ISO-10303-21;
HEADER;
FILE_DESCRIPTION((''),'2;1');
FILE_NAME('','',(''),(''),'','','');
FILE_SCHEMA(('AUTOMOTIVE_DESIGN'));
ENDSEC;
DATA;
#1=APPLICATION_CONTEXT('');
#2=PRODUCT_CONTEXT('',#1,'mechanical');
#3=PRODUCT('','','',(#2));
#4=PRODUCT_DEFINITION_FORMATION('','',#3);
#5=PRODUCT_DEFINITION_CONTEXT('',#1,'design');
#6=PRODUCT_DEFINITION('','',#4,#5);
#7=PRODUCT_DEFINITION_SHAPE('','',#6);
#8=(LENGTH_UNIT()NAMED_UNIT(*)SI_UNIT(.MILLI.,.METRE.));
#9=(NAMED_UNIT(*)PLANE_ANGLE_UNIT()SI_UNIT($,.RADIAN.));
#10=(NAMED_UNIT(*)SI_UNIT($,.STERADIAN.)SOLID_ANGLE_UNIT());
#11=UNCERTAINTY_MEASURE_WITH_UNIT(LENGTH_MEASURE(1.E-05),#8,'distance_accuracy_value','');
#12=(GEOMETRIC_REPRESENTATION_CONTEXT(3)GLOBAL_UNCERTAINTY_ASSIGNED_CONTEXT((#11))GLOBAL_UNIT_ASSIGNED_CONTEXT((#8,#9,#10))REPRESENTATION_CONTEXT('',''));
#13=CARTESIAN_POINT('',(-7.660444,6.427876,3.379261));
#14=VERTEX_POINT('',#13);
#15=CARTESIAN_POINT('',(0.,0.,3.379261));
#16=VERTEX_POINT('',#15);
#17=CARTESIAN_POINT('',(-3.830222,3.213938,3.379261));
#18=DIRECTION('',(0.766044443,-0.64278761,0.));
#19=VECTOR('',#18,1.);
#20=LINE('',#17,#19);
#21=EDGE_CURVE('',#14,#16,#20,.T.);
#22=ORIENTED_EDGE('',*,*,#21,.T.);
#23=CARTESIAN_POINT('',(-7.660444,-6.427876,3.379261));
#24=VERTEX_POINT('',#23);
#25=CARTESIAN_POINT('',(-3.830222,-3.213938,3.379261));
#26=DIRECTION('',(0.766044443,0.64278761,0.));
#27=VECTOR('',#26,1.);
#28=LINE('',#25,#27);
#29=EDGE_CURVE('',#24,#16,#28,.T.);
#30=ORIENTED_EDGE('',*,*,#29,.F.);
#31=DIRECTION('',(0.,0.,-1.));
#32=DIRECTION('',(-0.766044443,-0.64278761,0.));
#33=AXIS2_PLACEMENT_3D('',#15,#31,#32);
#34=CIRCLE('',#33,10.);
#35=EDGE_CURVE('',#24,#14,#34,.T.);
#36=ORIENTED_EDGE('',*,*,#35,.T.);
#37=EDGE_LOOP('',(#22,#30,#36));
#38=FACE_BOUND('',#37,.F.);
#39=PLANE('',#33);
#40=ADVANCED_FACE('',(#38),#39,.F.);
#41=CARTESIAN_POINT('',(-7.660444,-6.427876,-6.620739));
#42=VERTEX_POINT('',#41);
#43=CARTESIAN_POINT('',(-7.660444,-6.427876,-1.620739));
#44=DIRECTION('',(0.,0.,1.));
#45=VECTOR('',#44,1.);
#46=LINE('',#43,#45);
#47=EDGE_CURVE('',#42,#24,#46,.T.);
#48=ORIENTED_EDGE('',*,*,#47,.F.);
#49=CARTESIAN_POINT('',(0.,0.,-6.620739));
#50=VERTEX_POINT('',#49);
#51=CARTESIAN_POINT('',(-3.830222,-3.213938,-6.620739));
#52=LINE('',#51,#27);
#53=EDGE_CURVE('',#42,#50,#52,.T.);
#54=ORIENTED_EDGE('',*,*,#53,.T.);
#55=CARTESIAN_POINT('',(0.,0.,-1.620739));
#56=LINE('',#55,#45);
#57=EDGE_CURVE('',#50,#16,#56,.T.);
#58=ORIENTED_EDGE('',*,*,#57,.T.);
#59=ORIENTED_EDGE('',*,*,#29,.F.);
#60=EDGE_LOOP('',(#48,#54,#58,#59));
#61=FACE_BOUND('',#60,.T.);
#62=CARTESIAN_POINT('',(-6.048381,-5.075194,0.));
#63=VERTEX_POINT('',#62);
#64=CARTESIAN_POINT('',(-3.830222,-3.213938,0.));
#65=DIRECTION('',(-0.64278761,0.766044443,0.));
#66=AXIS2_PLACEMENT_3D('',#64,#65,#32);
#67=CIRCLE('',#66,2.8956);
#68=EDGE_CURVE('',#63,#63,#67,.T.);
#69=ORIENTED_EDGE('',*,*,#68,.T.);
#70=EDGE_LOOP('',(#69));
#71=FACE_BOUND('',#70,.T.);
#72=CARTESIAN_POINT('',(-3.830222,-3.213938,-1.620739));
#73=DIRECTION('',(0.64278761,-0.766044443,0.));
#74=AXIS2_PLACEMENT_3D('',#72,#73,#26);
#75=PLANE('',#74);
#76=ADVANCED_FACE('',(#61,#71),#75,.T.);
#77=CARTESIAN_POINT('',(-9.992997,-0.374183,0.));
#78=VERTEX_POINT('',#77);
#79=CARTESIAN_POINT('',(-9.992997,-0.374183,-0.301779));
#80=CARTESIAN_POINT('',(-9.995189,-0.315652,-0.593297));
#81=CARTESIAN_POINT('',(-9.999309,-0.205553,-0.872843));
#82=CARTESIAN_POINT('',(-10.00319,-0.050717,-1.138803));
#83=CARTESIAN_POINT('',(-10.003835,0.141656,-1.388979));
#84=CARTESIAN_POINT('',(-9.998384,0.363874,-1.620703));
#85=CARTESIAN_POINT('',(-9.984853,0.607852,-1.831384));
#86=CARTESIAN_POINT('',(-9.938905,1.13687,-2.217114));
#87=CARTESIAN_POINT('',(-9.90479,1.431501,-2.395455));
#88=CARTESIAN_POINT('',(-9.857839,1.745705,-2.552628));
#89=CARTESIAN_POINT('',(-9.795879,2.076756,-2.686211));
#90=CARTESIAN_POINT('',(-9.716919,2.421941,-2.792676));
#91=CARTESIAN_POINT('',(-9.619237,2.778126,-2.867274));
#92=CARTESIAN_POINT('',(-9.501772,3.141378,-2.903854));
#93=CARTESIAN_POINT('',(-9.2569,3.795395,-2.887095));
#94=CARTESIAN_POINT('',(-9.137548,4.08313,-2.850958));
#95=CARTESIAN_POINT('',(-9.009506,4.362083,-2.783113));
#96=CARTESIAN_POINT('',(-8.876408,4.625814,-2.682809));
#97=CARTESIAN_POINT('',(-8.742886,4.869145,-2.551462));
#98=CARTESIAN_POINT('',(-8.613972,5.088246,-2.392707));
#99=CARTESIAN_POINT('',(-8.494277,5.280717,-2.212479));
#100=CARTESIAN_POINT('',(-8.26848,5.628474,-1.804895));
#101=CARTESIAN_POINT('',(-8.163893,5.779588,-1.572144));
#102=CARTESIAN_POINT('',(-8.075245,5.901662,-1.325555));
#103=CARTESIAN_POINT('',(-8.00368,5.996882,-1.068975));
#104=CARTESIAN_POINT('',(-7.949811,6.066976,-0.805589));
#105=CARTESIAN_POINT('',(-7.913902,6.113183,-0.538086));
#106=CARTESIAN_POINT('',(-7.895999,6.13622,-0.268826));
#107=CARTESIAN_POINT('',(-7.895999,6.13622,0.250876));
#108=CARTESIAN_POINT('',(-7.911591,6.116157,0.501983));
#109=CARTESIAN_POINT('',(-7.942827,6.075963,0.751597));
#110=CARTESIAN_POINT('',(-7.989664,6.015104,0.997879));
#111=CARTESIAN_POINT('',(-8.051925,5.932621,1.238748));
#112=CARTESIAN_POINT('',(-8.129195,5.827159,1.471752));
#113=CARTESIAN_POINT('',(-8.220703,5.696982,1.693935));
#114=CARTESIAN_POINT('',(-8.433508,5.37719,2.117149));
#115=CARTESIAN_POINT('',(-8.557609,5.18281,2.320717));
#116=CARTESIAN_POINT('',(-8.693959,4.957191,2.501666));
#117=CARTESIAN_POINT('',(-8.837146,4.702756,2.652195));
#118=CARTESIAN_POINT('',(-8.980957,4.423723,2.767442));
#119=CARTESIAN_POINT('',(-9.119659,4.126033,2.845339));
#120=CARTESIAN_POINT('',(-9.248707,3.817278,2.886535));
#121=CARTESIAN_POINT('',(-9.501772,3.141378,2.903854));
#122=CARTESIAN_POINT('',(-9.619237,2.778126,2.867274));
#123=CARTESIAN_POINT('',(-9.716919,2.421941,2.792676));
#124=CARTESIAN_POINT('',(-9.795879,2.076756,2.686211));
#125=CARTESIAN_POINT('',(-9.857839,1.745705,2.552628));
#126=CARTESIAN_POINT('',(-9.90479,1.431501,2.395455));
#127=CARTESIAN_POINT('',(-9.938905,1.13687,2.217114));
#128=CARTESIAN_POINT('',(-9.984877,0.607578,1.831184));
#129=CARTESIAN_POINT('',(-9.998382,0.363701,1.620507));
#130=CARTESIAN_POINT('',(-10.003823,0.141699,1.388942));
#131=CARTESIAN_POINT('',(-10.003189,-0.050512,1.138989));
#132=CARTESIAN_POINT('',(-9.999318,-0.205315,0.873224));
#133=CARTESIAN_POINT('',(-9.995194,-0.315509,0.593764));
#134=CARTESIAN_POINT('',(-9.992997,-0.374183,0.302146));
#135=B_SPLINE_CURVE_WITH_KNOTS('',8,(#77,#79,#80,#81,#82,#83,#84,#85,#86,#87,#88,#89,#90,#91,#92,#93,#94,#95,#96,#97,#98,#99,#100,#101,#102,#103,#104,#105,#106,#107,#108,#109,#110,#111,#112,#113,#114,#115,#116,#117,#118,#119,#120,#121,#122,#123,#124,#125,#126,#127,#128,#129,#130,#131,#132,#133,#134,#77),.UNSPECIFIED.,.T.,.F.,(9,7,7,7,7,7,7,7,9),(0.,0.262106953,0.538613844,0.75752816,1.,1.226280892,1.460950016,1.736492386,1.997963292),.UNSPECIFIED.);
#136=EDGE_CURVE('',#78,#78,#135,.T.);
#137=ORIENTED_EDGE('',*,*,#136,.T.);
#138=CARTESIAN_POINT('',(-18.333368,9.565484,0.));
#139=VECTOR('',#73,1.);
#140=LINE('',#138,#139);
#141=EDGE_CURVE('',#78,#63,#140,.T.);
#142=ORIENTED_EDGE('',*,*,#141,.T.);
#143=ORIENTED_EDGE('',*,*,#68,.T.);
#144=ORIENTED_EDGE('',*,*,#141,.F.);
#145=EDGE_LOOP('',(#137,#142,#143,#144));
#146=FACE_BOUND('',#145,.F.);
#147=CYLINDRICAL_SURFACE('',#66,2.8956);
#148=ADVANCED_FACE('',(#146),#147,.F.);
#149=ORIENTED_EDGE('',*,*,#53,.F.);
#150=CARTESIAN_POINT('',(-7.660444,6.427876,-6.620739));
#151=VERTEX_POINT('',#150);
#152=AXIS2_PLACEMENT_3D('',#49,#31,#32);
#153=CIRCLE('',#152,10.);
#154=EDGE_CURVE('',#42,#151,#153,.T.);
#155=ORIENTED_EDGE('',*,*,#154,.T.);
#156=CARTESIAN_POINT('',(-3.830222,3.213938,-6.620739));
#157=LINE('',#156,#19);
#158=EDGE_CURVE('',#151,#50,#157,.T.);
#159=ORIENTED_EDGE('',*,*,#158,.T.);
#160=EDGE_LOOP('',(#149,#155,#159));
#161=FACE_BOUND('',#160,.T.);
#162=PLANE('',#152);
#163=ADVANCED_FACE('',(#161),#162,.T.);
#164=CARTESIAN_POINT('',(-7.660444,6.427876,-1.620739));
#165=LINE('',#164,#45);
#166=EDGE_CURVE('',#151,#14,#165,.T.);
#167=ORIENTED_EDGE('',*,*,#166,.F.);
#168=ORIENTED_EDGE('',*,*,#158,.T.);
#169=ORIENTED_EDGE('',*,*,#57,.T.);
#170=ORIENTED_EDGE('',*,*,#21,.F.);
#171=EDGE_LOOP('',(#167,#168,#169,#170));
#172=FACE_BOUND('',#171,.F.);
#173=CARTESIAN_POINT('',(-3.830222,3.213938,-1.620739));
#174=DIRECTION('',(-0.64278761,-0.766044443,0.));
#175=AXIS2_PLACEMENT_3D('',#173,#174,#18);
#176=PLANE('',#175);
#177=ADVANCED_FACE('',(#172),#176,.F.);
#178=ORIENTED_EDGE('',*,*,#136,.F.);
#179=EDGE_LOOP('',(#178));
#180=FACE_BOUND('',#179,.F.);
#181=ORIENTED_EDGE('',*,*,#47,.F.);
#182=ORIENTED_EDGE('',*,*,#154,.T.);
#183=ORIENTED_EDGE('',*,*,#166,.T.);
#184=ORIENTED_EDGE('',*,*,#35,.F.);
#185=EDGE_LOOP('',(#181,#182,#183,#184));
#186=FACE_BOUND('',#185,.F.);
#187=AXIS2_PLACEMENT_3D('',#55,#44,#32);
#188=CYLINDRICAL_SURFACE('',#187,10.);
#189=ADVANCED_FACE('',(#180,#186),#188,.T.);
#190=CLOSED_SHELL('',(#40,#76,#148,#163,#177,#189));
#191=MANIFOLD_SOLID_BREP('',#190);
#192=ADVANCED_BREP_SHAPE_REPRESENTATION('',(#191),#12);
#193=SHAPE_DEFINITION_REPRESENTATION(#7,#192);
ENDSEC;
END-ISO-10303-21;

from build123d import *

# Parameters (mm, degrees)
F0_W           = 10
F0_H           = 10
F1_ANGLE_BACK  = 40
F1_ANGLE       = 80
F3_D           = 5.7912
F3_CBORE_D     = 5.7912
F3_CBORE_DEPTH = 1.8542


with BuildPart() as f1:
    # F0 (on Front) → F1 (revolve)
    with BuildSketch(Plane.XZ, mode=Mode.PRIVATE) as f1_sk:
        with Locations((-5, -1.6207385726)):
            Rectangle(F0_W, F0_H)
    revolve(f1_sk.sketch.rotate(Axis((0, 0, -1.6207385726), (0, 0, -1)), -F1_ANGLE_BACK), axis=Axis((0, 0, -1.6207385726), (0, 0, -1)), revolution_arc=F1_ANGLE)

    # F3 (through all)
    with Locations(Plane(origin=(0, 0, 0), x_dir=(0.7660444431, 0.6427876097, 0), z_dir=(0.6427876097, -0.7660444431, 0))):
        with Locations((-5, 0)):
            CounterBoreHole(F3_D / 2, F3_CBORE_D / 2, F3_CBORE_DEPTH)


solid = f1.part
